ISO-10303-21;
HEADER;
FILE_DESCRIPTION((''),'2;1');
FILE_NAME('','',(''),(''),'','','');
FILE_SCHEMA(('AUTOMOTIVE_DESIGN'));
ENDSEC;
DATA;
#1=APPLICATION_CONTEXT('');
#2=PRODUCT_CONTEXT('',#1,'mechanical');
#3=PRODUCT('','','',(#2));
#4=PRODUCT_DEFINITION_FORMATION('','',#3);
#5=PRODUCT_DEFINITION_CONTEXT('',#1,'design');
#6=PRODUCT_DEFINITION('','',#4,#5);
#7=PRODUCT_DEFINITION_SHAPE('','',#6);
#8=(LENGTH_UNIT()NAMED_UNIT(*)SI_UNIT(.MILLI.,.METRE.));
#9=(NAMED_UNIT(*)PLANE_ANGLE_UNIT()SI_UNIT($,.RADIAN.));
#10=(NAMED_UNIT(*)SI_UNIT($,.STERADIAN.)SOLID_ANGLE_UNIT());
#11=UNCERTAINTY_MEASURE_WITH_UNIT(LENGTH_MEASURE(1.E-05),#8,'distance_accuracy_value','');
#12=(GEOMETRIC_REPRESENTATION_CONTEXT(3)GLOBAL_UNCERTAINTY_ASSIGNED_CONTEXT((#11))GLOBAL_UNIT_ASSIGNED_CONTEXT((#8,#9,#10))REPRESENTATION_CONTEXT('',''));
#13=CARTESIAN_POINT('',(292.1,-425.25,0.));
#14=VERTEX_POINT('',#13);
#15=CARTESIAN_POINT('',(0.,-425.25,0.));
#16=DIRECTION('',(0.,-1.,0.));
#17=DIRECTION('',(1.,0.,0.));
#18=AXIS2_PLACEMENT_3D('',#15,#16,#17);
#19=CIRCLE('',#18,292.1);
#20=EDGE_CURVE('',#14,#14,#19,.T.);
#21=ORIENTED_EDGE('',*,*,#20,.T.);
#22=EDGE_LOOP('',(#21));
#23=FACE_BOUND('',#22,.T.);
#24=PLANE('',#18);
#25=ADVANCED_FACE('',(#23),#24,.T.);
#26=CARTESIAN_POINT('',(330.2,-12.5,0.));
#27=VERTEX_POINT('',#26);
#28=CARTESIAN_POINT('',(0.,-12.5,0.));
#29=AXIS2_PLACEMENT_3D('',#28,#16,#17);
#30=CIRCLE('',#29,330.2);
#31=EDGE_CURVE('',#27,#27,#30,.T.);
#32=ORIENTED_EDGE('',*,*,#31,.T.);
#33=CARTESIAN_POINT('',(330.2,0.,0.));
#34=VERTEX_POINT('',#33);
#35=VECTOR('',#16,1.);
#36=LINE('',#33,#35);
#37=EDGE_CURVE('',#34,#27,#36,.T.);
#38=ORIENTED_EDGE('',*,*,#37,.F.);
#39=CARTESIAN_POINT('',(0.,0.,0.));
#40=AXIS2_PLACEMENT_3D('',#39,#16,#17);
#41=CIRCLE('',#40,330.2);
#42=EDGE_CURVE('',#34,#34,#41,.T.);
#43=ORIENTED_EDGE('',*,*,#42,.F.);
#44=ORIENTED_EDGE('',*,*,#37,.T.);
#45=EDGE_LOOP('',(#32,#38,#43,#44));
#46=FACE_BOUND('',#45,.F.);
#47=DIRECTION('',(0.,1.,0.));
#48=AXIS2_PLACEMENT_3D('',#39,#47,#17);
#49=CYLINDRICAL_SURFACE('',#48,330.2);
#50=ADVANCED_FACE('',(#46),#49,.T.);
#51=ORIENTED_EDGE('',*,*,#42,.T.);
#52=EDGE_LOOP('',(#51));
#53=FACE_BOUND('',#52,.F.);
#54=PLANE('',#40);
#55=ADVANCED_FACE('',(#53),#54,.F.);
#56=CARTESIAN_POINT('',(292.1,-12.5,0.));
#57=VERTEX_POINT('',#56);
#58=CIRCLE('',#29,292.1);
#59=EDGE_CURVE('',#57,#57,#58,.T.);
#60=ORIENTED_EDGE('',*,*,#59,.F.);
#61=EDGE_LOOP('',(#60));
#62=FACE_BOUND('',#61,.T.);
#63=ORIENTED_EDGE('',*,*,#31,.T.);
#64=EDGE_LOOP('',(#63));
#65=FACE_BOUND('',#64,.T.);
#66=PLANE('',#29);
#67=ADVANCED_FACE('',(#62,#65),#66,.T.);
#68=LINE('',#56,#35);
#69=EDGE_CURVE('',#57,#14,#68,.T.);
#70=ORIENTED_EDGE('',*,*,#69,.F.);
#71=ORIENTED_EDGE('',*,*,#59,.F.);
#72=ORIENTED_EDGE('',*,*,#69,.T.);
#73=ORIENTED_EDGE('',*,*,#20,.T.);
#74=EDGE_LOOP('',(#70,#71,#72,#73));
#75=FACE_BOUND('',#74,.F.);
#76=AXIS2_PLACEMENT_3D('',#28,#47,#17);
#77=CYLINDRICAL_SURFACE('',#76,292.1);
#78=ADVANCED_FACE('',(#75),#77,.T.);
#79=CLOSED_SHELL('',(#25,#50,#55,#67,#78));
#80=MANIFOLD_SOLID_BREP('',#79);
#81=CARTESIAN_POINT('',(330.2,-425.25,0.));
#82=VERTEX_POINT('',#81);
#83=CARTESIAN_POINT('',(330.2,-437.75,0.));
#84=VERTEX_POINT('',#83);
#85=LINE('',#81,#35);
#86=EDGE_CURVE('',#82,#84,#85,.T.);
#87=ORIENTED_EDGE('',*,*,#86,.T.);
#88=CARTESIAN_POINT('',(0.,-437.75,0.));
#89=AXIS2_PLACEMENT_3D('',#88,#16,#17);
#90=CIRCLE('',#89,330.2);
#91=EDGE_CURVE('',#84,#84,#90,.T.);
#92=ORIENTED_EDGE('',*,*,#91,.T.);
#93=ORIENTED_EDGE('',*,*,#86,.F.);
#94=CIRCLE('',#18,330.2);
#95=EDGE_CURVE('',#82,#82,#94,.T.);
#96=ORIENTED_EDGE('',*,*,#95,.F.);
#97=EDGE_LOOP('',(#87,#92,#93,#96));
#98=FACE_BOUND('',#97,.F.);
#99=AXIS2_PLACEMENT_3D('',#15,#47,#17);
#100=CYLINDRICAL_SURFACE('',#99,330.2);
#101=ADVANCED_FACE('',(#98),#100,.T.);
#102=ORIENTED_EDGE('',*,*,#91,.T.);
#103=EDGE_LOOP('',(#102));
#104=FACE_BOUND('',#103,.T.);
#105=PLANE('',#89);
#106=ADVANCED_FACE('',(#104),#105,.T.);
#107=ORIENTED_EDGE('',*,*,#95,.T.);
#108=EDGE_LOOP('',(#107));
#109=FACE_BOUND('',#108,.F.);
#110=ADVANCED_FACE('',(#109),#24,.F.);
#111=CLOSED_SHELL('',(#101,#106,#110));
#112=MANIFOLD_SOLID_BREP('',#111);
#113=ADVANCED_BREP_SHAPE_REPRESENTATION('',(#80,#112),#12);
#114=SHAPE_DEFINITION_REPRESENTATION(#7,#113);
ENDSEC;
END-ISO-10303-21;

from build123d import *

# Parameters (mm, degrees)
F0_R     = 330.2
F1_DEPTH = 12.5
F2_R     = 292.1
F3_DEPTH = 412.75
F4_R     = 330.2
F4_R_2   = 292.1
F5_DEPTH = 12.5


with BuildPart() as f1:
    # F0 (on Front) → F1 (new body)
    with BuildSketch(Plane.XZ):
        Circle(F0_R)
    extrude(amount=F1_DEPTH)

    # F2 (on face) → F3 (join)
    with BuildSketch(Plane.XZ.offset(12.5)):
        Circle(F2_R)
    extrude(amount=F3_DEPTH)


with BuildPart() as f5:
    # F4 (on face) → F5 (new body)
    with BuildSketch(Plane.XZ.offset(425.25)):
        Circle(F4_R)
        Circle(F4_R_2, mode=Mode.SUBTRACT)
        Circle(F4_R_2)
    extrude(amount=F5_DEPTH)


solid = Compound([f1.part, f5.part])
